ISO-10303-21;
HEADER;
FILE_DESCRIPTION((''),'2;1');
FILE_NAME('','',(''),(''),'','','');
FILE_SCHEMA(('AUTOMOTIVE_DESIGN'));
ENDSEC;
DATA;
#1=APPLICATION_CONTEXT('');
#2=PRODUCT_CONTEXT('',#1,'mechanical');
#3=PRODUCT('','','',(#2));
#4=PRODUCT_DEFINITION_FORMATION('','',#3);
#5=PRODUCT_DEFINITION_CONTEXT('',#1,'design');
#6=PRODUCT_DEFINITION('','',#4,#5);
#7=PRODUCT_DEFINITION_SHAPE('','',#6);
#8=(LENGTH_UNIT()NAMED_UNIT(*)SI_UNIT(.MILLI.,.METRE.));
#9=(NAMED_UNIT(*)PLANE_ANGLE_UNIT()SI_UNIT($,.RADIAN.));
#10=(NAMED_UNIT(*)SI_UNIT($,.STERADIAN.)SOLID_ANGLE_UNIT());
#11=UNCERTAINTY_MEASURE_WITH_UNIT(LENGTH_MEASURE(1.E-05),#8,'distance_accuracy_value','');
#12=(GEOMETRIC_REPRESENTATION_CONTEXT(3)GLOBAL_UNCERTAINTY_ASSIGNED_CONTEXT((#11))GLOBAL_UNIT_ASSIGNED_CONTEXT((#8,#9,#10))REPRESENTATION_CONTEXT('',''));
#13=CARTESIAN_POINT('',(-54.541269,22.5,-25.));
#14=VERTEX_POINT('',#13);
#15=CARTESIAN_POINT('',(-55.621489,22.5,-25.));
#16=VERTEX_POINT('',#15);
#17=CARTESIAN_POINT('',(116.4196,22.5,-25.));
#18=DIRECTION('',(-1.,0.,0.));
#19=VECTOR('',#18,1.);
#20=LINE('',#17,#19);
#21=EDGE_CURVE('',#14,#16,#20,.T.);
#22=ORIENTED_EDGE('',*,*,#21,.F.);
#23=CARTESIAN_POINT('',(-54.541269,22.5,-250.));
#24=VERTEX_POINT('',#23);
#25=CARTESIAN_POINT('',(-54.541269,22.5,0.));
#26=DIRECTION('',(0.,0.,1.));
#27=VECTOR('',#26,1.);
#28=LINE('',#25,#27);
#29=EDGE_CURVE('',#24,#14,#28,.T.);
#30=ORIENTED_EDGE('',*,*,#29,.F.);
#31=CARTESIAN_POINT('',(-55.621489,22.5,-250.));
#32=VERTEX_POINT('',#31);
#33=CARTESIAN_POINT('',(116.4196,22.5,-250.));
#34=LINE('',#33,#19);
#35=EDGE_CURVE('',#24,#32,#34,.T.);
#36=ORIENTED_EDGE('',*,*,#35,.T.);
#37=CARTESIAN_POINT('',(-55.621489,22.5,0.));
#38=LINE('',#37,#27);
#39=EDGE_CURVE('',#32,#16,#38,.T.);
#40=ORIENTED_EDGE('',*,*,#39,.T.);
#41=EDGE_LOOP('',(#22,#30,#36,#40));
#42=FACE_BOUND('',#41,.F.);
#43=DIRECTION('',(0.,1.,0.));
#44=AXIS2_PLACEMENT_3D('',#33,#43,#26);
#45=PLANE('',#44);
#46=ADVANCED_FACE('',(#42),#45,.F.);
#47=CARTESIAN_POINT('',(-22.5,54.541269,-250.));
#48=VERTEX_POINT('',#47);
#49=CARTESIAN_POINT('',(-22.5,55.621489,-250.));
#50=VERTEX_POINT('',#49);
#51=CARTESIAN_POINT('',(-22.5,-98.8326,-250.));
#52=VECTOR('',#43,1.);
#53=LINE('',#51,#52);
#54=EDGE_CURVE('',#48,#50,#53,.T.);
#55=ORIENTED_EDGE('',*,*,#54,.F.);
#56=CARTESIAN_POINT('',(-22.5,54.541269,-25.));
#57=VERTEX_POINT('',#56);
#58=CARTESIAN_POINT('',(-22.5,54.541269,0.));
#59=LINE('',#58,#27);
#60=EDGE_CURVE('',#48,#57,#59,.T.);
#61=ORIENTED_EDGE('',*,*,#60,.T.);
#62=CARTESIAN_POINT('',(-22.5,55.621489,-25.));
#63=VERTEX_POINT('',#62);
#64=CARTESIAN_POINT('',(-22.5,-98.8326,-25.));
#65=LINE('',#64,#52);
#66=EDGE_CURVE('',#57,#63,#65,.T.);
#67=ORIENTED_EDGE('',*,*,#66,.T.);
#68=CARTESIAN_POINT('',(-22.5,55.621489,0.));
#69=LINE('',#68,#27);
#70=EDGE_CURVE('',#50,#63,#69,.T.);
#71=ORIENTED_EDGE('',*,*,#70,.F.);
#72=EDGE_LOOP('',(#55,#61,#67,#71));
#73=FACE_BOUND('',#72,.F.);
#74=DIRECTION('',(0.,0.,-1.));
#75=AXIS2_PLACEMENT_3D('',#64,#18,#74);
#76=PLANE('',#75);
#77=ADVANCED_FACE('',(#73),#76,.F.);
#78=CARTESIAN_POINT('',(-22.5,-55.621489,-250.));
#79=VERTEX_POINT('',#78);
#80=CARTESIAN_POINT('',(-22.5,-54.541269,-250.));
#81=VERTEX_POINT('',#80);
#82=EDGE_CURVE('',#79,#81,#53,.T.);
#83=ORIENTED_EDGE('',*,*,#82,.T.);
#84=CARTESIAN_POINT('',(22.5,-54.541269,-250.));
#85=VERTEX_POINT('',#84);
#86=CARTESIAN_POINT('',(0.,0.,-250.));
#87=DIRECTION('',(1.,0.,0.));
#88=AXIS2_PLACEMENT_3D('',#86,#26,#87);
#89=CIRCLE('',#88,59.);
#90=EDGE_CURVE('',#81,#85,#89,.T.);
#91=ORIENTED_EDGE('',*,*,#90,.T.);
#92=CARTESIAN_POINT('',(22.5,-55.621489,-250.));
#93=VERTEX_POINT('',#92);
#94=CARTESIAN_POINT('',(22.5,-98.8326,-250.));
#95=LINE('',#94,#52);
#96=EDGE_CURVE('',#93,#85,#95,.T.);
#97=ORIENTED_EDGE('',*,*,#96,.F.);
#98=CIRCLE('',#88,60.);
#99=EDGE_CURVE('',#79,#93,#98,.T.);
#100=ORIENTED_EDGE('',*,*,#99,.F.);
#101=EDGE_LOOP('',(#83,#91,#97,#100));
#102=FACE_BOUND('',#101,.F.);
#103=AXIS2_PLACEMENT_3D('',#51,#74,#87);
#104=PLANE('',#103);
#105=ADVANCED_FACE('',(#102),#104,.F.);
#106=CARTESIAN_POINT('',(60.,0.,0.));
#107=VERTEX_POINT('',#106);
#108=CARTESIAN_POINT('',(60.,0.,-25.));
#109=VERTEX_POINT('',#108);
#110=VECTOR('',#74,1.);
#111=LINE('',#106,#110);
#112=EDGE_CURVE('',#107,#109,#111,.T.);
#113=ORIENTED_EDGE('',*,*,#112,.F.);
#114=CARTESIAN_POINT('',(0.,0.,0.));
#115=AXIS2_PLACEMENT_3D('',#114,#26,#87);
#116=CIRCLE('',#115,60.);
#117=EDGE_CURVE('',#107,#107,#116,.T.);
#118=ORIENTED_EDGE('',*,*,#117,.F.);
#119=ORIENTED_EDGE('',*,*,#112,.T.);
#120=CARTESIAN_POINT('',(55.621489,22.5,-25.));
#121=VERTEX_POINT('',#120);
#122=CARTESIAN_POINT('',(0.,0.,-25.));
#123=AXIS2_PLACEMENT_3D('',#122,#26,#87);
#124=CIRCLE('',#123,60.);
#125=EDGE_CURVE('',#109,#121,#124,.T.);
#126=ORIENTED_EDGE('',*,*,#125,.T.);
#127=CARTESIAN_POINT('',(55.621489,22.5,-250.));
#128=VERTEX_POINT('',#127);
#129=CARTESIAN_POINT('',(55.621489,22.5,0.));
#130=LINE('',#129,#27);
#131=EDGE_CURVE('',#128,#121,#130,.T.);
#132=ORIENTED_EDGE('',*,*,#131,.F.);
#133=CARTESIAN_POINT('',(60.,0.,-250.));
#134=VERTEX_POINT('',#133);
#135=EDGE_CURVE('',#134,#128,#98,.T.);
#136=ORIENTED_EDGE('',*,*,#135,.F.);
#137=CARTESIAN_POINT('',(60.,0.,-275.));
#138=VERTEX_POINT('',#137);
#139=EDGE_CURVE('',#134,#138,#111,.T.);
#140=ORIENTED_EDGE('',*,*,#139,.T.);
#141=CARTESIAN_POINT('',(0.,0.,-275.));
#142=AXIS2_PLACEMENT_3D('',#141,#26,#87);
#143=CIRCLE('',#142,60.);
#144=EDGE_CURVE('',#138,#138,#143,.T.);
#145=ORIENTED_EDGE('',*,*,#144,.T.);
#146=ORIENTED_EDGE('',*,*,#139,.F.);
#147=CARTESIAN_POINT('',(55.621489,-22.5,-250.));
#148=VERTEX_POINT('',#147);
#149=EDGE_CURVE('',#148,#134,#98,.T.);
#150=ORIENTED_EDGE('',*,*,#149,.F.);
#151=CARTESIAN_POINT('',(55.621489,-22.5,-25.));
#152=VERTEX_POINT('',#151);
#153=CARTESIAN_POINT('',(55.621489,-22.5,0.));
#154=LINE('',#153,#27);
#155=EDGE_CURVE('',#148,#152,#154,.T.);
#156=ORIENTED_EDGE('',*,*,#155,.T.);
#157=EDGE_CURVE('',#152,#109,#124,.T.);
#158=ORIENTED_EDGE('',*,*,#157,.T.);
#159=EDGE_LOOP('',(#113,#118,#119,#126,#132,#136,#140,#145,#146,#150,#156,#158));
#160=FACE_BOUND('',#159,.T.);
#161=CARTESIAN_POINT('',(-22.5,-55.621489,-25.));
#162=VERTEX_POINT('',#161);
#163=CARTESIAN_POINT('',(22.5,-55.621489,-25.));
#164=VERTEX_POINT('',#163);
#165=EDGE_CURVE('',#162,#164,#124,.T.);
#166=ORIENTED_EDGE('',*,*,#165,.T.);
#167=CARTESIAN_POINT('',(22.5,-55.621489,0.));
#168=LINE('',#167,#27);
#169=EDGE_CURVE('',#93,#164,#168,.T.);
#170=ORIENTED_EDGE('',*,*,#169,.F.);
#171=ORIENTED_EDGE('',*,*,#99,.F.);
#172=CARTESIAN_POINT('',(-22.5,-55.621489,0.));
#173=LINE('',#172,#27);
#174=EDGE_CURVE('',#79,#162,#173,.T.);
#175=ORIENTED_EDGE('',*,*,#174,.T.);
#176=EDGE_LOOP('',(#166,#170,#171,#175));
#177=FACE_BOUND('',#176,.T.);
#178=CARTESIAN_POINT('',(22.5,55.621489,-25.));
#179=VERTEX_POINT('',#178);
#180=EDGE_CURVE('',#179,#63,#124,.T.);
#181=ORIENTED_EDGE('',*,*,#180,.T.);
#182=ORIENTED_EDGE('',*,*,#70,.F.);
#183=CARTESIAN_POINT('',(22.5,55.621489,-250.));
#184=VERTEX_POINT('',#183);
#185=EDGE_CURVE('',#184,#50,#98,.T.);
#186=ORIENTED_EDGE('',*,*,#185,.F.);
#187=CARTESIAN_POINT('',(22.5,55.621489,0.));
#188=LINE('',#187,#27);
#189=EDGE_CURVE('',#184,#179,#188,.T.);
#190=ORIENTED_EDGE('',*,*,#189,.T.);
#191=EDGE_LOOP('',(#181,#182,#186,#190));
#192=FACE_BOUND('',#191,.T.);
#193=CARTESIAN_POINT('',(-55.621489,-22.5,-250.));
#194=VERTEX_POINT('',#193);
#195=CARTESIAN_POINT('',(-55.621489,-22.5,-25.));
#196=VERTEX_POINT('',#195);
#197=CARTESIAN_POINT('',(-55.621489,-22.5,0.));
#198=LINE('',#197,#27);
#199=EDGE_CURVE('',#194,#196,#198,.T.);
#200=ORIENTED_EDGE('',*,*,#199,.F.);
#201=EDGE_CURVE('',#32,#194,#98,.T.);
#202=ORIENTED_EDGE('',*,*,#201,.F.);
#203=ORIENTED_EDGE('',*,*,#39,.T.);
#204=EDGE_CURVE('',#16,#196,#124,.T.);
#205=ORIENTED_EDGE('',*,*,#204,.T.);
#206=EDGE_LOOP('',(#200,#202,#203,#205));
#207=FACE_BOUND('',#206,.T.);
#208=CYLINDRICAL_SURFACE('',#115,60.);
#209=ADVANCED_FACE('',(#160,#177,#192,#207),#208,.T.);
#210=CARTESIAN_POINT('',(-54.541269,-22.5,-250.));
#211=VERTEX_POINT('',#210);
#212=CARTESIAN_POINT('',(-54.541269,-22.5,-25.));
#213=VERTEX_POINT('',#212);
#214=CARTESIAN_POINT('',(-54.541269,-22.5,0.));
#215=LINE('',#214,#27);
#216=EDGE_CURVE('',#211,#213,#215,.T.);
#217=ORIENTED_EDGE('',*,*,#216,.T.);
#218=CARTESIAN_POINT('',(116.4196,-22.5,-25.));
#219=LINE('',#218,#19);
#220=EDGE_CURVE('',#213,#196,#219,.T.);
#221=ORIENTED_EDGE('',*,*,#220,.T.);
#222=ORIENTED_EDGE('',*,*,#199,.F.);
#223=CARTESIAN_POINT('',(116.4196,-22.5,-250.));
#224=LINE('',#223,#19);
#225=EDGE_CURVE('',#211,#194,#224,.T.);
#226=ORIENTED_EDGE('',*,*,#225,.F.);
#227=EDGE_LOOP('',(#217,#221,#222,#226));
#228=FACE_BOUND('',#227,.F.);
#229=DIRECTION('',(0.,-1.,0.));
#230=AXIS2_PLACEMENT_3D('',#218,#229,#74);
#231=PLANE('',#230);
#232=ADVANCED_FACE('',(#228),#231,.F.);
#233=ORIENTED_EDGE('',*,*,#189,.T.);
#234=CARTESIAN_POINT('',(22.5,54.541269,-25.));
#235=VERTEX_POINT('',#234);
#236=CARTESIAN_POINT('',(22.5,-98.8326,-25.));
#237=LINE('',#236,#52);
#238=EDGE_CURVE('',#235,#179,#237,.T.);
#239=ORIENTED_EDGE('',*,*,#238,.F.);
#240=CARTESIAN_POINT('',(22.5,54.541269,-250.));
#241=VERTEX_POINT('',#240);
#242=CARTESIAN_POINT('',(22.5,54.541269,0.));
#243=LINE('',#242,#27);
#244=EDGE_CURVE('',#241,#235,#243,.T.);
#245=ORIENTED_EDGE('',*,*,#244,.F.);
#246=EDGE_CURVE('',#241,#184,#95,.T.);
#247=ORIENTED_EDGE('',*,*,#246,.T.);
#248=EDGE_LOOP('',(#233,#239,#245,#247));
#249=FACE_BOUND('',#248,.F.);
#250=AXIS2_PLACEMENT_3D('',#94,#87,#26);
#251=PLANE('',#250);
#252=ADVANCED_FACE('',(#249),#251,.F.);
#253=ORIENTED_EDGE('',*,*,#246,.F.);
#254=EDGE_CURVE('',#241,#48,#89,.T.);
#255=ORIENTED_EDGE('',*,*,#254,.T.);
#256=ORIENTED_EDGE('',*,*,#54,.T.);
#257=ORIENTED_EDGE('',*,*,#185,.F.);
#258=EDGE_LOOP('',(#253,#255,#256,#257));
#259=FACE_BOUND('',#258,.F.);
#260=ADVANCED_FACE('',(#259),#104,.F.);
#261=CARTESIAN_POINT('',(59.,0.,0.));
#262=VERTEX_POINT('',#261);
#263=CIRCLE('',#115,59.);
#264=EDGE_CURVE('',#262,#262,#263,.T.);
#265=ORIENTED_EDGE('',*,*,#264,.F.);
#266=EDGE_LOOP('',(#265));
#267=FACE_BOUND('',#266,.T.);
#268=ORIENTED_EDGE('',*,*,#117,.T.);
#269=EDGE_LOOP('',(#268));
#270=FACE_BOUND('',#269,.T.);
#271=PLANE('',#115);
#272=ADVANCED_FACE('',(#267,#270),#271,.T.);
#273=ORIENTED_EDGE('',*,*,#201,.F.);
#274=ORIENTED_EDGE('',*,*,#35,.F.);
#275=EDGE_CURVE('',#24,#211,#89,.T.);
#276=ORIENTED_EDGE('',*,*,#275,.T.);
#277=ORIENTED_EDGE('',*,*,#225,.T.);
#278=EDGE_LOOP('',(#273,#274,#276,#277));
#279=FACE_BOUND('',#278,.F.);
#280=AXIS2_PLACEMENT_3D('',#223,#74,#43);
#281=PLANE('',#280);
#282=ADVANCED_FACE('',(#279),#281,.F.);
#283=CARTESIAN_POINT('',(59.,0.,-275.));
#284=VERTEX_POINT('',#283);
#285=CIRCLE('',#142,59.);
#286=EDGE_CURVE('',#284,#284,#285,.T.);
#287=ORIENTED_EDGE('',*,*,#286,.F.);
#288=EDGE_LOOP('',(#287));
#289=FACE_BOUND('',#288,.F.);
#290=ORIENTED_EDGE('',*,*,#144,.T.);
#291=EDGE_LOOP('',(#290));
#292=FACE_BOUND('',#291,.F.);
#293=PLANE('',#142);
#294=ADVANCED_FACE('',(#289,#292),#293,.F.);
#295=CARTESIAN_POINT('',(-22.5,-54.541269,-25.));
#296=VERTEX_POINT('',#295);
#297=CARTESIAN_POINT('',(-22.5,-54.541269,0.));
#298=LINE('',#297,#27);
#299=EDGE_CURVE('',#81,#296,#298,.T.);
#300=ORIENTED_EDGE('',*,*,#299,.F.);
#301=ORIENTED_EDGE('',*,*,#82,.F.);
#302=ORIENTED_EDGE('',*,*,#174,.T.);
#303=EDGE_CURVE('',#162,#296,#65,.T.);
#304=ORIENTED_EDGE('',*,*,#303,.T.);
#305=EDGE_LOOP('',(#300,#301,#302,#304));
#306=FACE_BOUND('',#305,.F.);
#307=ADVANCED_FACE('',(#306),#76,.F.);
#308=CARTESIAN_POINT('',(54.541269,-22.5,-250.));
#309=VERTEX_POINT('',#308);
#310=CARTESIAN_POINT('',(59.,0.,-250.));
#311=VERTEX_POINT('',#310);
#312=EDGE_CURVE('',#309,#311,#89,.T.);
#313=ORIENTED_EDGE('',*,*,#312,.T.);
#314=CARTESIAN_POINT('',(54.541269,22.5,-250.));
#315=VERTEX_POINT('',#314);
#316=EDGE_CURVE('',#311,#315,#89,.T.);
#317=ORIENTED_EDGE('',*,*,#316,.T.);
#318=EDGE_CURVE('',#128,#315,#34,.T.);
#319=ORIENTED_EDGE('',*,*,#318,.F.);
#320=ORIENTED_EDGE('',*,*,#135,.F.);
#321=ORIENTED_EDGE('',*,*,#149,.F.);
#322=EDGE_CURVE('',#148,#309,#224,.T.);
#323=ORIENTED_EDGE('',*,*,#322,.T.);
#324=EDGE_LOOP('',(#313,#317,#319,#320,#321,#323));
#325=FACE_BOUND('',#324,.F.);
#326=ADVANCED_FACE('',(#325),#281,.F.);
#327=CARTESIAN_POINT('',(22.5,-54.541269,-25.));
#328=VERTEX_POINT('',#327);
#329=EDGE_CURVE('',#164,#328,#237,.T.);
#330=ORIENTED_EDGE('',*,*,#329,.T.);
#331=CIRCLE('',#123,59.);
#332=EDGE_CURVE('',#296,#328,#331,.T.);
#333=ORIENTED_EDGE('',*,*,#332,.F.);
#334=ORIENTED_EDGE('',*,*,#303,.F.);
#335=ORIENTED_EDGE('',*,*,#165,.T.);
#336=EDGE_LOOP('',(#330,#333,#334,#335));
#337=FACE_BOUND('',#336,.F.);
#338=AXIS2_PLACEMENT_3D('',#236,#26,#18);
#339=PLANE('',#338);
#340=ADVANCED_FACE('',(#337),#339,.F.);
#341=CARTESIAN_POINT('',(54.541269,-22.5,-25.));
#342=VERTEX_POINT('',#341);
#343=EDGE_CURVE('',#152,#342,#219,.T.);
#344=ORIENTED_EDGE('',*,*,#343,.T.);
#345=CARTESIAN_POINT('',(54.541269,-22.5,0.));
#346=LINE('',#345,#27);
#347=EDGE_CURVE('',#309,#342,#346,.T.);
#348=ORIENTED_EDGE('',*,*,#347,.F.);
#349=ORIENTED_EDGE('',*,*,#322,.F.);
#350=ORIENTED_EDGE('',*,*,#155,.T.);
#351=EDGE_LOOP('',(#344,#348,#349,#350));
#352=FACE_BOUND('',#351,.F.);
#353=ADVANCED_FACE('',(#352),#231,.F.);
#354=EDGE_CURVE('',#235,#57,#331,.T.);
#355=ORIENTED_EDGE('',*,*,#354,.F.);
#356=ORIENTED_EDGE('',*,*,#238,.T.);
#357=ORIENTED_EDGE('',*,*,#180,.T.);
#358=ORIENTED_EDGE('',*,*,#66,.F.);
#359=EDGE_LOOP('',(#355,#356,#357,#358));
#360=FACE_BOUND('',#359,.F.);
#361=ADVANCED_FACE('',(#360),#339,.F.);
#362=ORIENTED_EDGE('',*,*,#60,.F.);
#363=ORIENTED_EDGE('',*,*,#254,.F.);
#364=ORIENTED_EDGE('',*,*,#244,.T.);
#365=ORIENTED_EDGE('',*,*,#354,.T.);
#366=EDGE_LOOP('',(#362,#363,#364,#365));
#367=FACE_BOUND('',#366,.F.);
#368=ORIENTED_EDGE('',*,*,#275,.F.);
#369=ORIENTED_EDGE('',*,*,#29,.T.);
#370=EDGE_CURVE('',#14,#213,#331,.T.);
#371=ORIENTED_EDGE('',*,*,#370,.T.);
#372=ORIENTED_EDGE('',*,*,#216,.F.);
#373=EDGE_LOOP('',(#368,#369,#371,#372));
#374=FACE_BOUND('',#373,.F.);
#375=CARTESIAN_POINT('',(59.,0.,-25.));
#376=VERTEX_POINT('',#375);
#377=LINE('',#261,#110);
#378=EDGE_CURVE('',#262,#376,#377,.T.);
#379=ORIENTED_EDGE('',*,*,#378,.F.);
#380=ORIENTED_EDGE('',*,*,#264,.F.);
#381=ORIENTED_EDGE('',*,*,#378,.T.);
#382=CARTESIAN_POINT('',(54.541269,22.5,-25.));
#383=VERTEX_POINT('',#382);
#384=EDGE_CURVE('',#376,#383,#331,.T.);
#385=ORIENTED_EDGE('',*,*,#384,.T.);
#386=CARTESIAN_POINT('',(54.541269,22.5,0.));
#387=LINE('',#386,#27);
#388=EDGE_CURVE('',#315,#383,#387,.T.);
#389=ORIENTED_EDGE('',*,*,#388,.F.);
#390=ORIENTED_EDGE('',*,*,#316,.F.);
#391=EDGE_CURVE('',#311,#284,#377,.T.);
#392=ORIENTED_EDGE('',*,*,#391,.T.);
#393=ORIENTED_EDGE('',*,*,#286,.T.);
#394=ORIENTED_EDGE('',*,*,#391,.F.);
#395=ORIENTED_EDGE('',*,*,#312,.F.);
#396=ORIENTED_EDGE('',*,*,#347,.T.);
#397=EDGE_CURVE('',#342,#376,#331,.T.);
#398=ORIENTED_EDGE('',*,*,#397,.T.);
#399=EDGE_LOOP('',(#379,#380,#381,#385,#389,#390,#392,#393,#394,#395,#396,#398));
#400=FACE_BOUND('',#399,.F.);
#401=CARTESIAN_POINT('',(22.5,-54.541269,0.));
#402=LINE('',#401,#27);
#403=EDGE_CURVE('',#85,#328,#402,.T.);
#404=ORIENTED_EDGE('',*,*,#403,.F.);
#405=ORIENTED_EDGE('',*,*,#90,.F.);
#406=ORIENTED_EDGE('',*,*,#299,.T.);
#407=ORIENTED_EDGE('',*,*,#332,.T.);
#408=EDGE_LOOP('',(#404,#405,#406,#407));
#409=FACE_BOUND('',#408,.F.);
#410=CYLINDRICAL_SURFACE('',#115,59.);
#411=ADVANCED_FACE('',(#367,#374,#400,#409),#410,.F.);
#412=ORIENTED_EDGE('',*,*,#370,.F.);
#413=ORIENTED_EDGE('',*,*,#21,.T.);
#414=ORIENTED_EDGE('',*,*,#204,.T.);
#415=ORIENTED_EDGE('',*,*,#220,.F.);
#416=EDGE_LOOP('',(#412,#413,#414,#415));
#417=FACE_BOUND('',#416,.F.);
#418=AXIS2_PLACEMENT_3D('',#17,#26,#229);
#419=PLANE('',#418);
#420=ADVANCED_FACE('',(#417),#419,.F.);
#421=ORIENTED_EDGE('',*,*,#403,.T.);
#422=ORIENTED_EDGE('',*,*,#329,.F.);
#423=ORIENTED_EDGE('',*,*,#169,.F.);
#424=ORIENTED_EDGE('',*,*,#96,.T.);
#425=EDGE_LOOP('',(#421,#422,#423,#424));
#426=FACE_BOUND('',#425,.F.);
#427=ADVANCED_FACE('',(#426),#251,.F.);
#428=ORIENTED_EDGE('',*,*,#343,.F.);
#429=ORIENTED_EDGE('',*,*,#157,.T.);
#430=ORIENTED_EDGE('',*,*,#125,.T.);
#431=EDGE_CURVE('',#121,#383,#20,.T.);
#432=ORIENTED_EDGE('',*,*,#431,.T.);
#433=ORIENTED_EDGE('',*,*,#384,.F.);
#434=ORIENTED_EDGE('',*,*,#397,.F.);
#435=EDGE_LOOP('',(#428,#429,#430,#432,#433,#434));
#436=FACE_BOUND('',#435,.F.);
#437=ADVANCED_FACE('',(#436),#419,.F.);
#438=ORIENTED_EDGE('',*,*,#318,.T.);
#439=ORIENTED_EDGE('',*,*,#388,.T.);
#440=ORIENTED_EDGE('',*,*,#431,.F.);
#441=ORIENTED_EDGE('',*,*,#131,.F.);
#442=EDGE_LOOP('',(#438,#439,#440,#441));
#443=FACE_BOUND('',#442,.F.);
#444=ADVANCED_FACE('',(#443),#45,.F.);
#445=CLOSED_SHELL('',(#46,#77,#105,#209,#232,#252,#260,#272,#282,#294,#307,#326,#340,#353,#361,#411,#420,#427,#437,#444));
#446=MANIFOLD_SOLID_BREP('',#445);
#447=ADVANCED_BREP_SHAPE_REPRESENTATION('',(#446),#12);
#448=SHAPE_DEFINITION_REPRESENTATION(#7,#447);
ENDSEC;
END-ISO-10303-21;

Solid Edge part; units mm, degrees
sketch "Sketch1" plane through (0, 0, 0) normal (0, 0, 1) x (1, 0, 0)
  circle A0 centre (0, 0) radius 60
extrude "Protrusion1" add sketch "Sketch1" against normal blind 275
sketch "Sketch2" plane through (0, 0, 0) normal (0, 0, 1) x (1, 0, 0)
  circle A0 centre (0, 0) radius 59
extrude "Cutout1" cut sketch "Sketch2" against normal up to next
sketch "Sketch3" plane through (0, -98.8326, 0) normal (0, -1, 0) x (1, 0, 0)
  line L0 (-22.5, -250) -> (22.5, -250)
  line L1 (22.5, -250) -> (22.5, -25)
  line L2 (22.5, -25) -> (-22.5, -25)
  line L3 (-22.5, -25) -> (-22.5, -250)
  dimension "D1" = 25
  dimension "D2" = 225
extrude "Cutout2" cut sketch "Sketch3" against normal blind 261.0003
sketch "Sketch4" plane through (116.4196, 0, 0) normal (1, 0, 0) x (0, 1, 0)
  line L0 (-22.5, -250) -> (22.5, -250)
  line L1 (22.5, -250) -> (22.5, -25)
  line L2 (22.5, -25) -> (-22.5, -25)
  line L3 (-22.5, -25) -> (-22.5, -250)
  dimension "D1" = 25
  dimension "D2" = 225
extrude "ExtrudedCutout_5" cut sketch "Sketch4" against normal blind 221.6217
properties material "Acrylic Plastic (extra strong)"
